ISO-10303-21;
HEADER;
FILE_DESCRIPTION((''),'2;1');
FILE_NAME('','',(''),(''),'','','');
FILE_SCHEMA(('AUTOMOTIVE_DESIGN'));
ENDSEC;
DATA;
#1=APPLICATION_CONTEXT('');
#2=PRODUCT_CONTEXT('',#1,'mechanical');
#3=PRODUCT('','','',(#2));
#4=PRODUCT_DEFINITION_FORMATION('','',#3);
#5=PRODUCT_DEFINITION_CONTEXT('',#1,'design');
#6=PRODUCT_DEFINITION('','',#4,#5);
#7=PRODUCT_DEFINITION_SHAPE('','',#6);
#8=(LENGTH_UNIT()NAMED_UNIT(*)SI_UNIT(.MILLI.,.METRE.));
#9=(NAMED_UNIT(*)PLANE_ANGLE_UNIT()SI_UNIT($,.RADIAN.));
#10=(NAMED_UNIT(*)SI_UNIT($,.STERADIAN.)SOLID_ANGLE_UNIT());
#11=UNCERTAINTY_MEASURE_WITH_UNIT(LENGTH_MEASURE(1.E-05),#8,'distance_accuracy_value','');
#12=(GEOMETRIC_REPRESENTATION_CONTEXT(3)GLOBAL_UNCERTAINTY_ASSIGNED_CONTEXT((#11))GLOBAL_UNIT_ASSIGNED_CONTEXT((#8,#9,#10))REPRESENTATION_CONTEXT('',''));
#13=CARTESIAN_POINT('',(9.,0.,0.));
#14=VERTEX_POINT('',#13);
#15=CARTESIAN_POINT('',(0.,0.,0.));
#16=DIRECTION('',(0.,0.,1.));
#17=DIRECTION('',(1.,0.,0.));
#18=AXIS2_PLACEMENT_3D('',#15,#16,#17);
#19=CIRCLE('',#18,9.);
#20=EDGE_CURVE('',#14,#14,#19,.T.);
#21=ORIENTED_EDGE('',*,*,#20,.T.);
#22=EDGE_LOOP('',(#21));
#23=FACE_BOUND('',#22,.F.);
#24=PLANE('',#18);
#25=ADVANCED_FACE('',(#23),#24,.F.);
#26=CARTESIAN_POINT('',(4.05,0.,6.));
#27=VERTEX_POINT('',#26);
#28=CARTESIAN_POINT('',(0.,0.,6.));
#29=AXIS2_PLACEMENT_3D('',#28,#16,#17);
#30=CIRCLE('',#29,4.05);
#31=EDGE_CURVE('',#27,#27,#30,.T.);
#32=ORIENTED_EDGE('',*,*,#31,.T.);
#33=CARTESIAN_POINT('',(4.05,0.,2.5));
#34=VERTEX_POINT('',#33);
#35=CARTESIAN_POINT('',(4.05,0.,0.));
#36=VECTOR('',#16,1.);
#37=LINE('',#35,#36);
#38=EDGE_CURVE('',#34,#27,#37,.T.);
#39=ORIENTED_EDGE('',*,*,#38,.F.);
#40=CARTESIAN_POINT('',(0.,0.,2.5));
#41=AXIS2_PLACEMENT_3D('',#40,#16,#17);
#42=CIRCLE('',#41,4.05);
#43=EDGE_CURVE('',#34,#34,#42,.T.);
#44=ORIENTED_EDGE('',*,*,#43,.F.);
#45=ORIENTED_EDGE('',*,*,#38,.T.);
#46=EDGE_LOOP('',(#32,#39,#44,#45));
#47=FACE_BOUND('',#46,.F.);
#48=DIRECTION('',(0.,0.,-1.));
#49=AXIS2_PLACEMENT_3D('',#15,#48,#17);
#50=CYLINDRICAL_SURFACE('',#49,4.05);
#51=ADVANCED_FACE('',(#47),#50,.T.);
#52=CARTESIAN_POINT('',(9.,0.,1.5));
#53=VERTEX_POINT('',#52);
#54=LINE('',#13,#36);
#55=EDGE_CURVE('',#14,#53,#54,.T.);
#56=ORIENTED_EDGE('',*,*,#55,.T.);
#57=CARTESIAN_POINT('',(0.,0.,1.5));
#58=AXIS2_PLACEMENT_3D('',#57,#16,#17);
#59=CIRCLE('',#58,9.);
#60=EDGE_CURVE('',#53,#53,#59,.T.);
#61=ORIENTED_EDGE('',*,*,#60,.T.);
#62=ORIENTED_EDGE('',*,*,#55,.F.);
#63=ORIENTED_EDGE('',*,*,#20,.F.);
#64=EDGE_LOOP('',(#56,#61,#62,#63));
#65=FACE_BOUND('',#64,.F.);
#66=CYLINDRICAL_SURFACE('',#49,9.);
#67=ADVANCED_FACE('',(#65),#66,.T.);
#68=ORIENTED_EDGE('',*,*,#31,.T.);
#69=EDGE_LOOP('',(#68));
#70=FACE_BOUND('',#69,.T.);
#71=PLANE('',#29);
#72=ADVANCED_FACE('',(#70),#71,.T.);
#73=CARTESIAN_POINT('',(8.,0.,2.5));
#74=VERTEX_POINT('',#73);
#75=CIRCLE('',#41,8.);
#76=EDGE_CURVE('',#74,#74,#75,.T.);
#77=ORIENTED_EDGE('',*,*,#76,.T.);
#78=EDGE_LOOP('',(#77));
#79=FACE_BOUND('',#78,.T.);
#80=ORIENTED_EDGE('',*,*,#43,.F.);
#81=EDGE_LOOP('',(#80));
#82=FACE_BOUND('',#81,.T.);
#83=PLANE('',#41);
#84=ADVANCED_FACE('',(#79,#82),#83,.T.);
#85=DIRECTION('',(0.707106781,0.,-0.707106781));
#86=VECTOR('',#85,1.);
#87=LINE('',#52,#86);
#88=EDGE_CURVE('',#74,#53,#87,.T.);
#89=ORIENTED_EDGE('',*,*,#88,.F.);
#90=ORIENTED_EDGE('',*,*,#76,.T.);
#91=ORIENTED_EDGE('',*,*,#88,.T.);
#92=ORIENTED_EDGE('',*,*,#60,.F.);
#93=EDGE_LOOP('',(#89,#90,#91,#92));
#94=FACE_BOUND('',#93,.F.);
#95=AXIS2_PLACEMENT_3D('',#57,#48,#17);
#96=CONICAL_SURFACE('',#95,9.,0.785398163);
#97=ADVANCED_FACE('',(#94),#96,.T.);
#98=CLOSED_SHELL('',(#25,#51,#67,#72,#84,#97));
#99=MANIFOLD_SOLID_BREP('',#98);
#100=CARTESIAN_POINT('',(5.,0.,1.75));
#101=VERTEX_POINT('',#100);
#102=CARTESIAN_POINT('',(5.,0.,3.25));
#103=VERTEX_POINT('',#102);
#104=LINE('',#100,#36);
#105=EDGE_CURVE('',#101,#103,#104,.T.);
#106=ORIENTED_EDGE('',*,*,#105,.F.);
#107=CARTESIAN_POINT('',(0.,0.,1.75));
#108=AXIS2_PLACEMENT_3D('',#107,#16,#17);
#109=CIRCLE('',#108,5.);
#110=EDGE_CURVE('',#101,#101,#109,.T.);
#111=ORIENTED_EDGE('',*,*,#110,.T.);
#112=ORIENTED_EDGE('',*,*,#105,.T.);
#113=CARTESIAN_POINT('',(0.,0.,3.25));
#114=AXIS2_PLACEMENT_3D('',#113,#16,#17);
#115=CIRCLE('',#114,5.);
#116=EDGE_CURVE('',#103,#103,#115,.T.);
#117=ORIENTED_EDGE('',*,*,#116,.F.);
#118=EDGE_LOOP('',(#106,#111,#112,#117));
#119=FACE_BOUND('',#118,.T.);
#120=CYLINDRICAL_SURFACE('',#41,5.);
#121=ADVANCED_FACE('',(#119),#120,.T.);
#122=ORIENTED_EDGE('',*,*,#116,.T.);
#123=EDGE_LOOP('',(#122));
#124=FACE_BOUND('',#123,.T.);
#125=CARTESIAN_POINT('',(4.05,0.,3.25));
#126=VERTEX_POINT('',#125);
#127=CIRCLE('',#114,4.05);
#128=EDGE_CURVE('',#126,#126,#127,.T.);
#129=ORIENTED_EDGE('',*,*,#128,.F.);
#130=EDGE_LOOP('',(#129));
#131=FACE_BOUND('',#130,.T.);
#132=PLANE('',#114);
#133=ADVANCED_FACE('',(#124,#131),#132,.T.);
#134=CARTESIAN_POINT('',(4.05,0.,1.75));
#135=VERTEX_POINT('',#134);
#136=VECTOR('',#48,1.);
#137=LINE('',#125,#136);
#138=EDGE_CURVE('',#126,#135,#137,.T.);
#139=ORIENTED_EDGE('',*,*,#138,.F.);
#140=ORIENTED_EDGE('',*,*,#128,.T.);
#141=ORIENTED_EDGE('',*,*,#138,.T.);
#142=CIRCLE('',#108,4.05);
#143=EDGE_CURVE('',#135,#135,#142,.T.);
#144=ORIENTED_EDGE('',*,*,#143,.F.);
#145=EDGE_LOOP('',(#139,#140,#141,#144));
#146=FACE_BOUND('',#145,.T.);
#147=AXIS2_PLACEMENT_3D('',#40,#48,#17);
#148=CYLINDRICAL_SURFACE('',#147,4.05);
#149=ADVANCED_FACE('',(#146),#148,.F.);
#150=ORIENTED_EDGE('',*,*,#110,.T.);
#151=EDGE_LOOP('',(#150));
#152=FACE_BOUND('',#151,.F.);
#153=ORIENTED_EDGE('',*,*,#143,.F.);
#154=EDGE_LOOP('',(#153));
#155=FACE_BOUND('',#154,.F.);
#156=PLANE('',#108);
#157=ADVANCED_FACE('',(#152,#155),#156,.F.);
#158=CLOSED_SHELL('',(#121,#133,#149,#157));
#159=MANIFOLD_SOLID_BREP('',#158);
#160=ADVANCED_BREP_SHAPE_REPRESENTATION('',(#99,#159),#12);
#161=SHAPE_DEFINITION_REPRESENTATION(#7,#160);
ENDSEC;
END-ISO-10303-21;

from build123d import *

# Parameters (mm, degrees)
F0_R     = 9
F0_R_2   = 4.05
F1_DEPTH = 2.5
F2_DEPTH = 6
F3_R     = 5
F3_R_2   = 4.05
F4_DEPTH = 0.75
F5_SIZE  = 1


with BuildPart() as f1:
    # F0 (on Top) → F1 (new body)
    with BuildSketch(Plane.XY):
        Circle(F0_R)
        Circle(F0_R_2, mode=Mode.SUBTRACT)
    extrude(amount=F1_DEPTH)

    # F0 (on Top) → F2 (join)
    with BuildSketch(Plane.XY):
        Circle(F0_R_2)
    extrude(amount=F2_DEPTH)

    # F5
    f5_edges = [f1.edges().sort_by_distance(p)[0] for p in [
        (-9, 0, 2.5),
    ]]
    chamfer(f5_edges, length=F5_SIZE)


with BuildPart() as f4:
    # F3 (on face) → F4 (new body, symmetric)
    with BuildSketch(Plane.XY.offset(2.5)):
        Circle(F3_R)
        Circle(F3_R_2, mode=Mode.SUBTRACT)
    extrude(amount=F4_DEPTH, both=True)


solid = Compound([f1.part, f4.part])
